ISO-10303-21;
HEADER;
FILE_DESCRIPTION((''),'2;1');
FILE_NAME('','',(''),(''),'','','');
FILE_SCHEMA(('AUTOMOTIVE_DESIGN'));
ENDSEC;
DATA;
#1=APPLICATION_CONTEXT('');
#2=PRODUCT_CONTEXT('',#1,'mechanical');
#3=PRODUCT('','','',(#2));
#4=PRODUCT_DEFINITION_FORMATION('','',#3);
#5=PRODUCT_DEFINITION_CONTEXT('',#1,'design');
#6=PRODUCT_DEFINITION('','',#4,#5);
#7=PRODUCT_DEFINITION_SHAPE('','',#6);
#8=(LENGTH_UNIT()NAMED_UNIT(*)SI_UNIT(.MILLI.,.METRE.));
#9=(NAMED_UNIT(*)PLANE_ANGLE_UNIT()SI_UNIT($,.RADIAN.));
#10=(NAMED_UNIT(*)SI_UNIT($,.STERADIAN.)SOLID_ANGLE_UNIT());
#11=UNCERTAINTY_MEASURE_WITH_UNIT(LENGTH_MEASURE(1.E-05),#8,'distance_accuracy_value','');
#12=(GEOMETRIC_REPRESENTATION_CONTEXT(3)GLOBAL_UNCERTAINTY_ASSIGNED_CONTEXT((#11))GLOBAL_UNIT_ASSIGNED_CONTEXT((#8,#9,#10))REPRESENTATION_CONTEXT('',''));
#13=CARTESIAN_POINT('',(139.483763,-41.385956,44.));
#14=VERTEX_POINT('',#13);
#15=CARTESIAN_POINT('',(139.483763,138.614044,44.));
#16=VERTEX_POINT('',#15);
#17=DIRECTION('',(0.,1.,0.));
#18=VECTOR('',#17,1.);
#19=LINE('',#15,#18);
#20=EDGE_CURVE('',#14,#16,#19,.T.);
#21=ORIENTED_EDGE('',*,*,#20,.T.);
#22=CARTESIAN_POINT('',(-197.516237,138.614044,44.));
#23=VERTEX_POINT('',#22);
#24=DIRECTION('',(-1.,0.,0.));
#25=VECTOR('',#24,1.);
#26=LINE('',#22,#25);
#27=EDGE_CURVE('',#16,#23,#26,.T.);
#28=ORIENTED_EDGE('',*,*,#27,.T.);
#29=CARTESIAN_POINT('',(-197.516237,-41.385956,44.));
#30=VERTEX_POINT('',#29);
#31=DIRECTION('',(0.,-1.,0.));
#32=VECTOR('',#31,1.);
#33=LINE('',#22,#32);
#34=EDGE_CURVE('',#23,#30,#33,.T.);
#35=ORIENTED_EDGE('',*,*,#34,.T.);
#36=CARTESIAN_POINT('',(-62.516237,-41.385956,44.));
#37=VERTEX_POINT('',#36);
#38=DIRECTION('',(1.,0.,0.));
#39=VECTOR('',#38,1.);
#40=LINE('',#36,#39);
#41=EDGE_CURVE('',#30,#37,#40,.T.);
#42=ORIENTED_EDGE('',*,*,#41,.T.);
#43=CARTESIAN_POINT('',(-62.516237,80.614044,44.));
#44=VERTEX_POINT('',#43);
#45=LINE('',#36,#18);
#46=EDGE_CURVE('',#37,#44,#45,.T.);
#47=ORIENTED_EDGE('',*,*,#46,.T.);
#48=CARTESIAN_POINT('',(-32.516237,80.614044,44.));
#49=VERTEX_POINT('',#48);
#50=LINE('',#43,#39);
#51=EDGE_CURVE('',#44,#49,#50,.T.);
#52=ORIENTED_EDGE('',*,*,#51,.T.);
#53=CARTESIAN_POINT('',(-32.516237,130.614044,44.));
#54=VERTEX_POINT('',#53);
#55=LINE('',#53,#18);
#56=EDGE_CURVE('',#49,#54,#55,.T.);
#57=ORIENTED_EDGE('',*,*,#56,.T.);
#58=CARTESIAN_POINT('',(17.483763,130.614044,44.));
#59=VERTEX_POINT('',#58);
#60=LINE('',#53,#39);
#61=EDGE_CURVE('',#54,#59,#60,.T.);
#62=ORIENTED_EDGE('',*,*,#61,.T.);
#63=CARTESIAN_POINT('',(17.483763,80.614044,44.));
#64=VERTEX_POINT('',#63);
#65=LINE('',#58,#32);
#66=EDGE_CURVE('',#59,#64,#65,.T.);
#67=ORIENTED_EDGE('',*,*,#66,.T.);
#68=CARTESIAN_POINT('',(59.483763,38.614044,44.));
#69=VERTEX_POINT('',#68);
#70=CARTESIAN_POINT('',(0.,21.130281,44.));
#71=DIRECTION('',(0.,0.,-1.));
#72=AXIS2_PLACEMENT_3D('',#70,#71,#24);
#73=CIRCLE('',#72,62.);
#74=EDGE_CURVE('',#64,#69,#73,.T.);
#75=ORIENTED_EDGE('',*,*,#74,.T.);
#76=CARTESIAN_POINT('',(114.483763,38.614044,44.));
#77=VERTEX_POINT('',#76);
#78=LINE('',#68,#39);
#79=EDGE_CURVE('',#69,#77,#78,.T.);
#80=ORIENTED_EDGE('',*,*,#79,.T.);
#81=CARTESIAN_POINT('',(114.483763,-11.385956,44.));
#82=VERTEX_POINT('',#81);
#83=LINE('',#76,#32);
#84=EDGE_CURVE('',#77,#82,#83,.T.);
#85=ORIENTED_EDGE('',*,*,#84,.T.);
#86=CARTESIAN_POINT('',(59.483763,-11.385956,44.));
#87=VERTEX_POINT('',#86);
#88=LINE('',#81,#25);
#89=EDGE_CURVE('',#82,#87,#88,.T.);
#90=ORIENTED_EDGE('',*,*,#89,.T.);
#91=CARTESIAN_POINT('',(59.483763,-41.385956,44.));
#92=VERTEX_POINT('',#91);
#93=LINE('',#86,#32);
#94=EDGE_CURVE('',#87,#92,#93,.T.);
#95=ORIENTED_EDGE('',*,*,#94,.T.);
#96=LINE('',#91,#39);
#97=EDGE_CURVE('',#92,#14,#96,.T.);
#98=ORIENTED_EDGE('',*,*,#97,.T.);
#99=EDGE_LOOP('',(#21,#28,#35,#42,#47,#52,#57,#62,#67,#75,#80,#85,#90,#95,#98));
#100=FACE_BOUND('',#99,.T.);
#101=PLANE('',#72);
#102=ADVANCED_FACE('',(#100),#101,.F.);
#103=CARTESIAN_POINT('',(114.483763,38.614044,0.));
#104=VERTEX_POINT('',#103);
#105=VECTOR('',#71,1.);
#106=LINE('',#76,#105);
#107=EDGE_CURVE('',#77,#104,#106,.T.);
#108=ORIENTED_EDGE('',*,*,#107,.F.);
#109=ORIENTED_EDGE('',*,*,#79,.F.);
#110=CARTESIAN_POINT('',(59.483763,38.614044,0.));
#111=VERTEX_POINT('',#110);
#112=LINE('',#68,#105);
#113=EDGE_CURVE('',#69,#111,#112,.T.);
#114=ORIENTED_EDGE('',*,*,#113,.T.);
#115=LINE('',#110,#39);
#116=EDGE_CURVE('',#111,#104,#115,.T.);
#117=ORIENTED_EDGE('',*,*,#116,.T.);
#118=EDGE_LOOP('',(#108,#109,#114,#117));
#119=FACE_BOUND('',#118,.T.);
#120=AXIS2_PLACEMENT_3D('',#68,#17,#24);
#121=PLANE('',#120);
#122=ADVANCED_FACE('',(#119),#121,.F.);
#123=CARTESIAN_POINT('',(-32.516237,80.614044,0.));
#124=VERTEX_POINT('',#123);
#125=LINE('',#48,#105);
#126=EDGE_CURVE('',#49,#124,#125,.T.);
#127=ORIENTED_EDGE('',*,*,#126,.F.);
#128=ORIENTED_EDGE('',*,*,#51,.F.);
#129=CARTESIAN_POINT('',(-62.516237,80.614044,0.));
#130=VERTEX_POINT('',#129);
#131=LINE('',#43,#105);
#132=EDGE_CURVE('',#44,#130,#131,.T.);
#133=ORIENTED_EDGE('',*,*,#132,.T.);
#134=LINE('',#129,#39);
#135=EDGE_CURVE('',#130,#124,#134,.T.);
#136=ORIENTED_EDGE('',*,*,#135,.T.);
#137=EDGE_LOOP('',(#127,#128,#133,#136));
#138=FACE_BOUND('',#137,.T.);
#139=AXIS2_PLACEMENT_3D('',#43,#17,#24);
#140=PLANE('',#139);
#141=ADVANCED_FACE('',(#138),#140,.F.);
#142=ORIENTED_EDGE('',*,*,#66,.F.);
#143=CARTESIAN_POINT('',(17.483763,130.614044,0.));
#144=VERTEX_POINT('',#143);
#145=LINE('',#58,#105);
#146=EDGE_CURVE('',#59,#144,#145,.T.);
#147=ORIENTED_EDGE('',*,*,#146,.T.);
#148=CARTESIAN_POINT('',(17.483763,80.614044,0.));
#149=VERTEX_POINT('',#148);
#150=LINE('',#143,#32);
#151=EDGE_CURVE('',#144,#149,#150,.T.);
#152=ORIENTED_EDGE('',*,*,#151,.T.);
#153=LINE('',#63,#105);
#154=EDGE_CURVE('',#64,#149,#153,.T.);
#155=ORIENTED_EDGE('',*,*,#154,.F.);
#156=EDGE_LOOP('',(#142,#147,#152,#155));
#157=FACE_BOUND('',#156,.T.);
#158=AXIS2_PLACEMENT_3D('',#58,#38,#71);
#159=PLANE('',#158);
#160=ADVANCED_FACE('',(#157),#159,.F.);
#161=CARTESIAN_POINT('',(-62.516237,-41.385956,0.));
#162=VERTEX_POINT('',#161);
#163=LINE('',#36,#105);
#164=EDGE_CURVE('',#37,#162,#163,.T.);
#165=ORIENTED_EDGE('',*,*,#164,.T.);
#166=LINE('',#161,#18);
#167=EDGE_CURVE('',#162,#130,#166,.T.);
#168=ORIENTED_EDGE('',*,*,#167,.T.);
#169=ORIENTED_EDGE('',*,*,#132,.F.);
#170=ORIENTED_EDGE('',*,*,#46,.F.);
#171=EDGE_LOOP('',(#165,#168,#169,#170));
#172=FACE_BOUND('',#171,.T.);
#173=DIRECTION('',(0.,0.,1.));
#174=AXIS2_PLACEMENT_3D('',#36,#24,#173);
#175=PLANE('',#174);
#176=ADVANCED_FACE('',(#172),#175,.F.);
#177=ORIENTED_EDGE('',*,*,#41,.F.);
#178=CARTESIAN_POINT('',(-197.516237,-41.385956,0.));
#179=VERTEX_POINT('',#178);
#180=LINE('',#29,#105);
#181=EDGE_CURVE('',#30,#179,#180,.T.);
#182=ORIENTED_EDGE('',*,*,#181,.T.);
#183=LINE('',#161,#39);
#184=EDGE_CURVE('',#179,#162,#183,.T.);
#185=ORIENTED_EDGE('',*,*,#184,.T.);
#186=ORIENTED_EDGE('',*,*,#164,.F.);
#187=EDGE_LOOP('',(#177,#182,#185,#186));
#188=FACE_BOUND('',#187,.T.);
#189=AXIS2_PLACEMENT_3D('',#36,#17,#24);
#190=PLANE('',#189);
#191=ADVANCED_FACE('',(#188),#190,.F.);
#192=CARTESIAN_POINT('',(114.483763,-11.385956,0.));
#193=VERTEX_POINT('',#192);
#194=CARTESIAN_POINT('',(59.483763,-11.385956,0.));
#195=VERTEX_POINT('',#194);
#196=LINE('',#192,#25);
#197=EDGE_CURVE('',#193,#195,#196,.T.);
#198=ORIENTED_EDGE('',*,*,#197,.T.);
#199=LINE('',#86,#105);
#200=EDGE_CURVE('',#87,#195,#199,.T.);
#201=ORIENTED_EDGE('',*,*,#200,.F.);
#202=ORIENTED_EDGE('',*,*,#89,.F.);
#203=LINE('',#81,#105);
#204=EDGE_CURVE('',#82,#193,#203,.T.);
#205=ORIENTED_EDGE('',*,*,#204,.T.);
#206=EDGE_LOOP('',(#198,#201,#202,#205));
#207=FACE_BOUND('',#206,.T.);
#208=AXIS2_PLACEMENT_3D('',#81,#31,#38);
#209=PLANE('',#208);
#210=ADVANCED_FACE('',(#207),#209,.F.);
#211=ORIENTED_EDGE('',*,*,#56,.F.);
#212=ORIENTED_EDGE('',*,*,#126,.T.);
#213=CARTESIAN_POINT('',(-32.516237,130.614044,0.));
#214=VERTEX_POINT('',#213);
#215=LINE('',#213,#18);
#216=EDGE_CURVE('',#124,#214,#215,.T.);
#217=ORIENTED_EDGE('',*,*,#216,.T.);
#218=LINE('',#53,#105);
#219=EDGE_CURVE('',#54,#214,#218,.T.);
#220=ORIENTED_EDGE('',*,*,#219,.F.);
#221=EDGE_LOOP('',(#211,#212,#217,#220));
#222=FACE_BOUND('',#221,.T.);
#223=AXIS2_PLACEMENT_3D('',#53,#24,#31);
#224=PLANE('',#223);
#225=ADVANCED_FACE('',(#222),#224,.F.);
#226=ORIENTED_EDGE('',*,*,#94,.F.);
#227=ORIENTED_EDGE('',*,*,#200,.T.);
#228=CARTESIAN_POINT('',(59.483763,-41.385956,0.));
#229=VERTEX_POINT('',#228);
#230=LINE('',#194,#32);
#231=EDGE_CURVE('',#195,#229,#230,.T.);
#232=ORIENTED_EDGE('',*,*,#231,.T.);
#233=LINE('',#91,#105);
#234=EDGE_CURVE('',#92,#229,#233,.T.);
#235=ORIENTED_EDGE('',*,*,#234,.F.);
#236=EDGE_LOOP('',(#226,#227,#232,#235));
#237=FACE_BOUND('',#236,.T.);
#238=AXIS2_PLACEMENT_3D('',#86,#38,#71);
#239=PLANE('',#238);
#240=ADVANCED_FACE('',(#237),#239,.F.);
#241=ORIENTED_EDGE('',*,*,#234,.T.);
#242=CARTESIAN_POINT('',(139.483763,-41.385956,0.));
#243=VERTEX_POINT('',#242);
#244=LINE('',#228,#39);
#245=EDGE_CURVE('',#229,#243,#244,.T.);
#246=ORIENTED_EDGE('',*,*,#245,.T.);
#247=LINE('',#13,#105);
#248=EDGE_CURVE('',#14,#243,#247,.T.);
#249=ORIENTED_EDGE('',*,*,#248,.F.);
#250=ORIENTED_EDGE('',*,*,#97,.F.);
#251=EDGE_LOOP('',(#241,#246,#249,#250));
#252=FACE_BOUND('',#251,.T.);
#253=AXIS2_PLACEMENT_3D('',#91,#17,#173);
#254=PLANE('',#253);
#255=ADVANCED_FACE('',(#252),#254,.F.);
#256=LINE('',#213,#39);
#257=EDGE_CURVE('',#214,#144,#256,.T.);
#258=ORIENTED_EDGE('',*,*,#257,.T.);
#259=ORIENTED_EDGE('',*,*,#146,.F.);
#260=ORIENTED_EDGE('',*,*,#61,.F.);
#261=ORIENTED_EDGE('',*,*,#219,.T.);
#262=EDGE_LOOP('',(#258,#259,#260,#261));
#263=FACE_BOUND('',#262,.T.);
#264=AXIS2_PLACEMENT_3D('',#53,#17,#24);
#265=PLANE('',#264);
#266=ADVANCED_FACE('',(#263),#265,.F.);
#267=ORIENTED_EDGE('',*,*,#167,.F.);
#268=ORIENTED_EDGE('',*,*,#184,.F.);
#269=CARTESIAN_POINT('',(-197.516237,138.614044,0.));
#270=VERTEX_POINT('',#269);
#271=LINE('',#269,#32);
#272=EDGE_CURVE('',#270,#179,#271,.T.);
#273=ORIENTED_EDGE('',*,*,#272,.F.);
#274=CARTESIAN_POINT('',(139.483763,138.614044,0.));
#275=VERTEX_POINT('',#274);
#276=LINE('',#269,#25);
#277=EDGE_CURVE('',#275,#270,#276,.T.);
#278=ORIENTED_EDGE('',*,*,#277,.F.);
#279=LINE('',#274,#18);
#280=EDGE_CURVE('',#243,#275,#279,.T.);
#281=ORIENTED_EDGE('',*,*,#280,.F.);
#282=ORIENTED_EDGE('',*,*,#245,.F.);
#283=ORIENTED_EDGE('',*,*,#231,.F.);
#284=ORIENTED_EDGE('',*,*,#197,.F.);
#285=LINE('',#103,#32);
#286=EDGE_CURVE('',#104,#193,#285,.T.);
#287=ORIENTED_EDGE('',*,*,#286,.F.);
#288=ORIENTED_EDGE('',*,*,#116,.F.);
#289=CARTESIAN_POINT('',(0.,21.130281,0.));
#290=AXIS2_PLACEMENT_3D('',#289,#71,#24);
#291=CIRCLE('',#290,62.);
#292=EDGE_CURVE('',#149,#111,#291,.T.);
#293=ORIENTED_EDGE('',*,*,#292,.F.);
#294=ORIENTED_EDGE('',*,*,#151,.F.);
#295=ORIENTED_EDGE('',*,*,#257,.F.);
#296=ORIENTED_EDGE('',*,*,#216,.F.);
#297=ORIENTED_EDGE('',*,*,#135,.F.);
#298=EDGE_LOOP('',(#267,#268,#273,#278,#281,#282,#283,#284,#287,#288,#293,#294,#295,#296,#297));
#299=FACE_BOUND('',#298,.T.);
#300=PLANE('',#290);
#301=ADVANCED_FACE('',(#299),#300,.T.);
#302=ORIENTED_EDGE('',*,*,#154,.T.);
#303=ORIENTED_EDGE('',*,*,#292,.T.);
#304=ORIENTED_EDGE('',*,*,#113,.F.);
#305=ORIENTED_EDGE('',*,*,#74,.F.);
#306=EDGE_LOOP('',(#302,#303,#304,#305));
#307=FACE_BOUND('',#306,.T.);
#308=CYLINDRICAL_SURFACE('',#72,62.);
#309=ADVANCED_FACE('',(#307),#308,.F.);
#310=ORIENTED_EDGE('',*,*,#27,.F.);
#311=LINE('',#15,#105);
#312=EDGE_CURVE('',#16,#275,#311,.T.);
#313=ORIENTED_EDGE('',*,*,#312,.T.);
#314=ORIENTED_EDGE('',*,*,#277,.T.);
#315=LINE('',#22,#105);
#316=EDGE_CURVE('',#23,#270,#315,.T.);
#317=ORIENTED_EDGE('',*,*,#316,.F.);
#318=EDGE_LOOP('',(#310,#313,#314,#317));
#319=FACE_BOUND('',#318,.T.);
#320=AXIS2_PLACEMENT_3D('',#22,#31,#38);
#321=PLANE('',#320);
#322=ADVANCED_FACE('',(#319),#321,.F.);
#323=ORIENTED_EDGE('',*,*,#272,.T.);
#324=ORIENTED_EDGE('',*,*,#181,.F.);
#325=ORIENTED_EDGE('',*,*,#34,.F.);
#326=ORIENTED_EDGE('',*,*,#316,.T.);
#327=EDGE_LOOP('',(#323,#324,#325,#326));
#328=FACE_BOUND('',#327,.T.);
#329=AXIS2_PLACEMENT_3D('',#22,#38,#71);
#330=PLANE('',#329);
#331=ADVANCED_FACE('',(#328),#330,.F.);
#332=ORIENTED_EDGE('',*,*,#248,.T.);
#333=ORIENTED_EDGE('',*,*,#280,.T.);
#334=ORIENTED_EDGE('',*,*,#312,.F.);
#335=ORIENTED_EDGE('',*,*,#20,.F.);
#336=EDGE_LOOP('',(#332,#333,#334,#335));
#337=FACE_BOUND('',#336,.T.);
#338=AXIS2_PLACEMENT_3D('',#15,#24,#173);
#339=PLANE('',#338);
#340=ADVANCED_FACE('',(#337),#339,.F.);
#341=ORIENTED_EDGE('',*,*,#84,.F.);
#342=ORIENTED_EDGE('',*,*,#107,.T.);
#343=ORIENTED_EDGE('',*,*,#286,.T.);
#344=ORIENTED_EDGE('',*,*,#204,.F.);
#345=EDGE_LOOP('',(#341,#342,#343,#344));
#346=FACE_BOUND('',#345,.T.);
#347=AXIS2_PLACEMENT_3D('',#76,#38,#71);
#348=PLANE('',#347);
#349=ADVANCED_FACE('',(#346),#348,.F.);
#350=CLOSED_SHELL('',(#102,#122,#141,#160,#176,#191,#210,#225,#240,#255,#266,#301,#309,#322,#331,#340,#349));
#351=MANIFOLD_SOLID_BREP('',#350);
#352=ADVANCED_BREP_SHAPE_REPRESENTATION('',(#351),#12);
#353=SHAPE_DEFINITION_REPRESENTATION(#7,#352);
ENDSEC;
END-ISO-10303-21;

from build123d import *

# Parameters (mm, degrees)
BOSS_EXTRUDE1_DEPTH = 44


with BuildPart() as part:
    # Sketch2 → Boss-Extrude1 (new body)
    with BuildSketch(Plane.XY):
        with BuildLine():
            Line((-62.51623719, 80.614043502), (-32.51623719, 80.614043502))
            Line((-32.51623719, 80.614043502), (-32.51623719, 130.614043502))
            Line((-32.51623719, 130.614043502), (17.48376281, 130.614043502))
            Line((17.48376281, 130.614043502), (17.48376281, 80.614043502))
            ThreePointArc((17.48376281, 80.614043502), (43.840620434, 64.970901126), (59.48376281, 38.614043502))
            Line((59.48376281, 38.614043502), (114.48376281, 38.614043502))
            Line((114.48376281, 38.614043502), (114.48376281, -11.385956498))
            Line((114.48376281, -11.385956498), (59.48376281, -11.385956498))
            Line((59.48376281, -11.385956498), (59.48376281, -41.385956498))
            Line((59.48376281, -41.385956498), (139.48376281, -41.385956498))
            Line((139.48376281, -41.385956498), (139.48376281, 138.614043502))
            Line((139.48376281, 138.614043502), (-197.51623719, 138.614043502))
            Line((-197.51623719, 138.614043502), (-197.51623719, -41.385956498))
            Line((-197.51623719, -41.385956498), (-62.51623719, -41.385956498))
            Line((-62.51623719, -41.385956498), (-62.51623719, 80.614043502))
        make_face()
    extrude(amount=BOSS_EXTRUDE1_DEPTH)


solid = part.part
